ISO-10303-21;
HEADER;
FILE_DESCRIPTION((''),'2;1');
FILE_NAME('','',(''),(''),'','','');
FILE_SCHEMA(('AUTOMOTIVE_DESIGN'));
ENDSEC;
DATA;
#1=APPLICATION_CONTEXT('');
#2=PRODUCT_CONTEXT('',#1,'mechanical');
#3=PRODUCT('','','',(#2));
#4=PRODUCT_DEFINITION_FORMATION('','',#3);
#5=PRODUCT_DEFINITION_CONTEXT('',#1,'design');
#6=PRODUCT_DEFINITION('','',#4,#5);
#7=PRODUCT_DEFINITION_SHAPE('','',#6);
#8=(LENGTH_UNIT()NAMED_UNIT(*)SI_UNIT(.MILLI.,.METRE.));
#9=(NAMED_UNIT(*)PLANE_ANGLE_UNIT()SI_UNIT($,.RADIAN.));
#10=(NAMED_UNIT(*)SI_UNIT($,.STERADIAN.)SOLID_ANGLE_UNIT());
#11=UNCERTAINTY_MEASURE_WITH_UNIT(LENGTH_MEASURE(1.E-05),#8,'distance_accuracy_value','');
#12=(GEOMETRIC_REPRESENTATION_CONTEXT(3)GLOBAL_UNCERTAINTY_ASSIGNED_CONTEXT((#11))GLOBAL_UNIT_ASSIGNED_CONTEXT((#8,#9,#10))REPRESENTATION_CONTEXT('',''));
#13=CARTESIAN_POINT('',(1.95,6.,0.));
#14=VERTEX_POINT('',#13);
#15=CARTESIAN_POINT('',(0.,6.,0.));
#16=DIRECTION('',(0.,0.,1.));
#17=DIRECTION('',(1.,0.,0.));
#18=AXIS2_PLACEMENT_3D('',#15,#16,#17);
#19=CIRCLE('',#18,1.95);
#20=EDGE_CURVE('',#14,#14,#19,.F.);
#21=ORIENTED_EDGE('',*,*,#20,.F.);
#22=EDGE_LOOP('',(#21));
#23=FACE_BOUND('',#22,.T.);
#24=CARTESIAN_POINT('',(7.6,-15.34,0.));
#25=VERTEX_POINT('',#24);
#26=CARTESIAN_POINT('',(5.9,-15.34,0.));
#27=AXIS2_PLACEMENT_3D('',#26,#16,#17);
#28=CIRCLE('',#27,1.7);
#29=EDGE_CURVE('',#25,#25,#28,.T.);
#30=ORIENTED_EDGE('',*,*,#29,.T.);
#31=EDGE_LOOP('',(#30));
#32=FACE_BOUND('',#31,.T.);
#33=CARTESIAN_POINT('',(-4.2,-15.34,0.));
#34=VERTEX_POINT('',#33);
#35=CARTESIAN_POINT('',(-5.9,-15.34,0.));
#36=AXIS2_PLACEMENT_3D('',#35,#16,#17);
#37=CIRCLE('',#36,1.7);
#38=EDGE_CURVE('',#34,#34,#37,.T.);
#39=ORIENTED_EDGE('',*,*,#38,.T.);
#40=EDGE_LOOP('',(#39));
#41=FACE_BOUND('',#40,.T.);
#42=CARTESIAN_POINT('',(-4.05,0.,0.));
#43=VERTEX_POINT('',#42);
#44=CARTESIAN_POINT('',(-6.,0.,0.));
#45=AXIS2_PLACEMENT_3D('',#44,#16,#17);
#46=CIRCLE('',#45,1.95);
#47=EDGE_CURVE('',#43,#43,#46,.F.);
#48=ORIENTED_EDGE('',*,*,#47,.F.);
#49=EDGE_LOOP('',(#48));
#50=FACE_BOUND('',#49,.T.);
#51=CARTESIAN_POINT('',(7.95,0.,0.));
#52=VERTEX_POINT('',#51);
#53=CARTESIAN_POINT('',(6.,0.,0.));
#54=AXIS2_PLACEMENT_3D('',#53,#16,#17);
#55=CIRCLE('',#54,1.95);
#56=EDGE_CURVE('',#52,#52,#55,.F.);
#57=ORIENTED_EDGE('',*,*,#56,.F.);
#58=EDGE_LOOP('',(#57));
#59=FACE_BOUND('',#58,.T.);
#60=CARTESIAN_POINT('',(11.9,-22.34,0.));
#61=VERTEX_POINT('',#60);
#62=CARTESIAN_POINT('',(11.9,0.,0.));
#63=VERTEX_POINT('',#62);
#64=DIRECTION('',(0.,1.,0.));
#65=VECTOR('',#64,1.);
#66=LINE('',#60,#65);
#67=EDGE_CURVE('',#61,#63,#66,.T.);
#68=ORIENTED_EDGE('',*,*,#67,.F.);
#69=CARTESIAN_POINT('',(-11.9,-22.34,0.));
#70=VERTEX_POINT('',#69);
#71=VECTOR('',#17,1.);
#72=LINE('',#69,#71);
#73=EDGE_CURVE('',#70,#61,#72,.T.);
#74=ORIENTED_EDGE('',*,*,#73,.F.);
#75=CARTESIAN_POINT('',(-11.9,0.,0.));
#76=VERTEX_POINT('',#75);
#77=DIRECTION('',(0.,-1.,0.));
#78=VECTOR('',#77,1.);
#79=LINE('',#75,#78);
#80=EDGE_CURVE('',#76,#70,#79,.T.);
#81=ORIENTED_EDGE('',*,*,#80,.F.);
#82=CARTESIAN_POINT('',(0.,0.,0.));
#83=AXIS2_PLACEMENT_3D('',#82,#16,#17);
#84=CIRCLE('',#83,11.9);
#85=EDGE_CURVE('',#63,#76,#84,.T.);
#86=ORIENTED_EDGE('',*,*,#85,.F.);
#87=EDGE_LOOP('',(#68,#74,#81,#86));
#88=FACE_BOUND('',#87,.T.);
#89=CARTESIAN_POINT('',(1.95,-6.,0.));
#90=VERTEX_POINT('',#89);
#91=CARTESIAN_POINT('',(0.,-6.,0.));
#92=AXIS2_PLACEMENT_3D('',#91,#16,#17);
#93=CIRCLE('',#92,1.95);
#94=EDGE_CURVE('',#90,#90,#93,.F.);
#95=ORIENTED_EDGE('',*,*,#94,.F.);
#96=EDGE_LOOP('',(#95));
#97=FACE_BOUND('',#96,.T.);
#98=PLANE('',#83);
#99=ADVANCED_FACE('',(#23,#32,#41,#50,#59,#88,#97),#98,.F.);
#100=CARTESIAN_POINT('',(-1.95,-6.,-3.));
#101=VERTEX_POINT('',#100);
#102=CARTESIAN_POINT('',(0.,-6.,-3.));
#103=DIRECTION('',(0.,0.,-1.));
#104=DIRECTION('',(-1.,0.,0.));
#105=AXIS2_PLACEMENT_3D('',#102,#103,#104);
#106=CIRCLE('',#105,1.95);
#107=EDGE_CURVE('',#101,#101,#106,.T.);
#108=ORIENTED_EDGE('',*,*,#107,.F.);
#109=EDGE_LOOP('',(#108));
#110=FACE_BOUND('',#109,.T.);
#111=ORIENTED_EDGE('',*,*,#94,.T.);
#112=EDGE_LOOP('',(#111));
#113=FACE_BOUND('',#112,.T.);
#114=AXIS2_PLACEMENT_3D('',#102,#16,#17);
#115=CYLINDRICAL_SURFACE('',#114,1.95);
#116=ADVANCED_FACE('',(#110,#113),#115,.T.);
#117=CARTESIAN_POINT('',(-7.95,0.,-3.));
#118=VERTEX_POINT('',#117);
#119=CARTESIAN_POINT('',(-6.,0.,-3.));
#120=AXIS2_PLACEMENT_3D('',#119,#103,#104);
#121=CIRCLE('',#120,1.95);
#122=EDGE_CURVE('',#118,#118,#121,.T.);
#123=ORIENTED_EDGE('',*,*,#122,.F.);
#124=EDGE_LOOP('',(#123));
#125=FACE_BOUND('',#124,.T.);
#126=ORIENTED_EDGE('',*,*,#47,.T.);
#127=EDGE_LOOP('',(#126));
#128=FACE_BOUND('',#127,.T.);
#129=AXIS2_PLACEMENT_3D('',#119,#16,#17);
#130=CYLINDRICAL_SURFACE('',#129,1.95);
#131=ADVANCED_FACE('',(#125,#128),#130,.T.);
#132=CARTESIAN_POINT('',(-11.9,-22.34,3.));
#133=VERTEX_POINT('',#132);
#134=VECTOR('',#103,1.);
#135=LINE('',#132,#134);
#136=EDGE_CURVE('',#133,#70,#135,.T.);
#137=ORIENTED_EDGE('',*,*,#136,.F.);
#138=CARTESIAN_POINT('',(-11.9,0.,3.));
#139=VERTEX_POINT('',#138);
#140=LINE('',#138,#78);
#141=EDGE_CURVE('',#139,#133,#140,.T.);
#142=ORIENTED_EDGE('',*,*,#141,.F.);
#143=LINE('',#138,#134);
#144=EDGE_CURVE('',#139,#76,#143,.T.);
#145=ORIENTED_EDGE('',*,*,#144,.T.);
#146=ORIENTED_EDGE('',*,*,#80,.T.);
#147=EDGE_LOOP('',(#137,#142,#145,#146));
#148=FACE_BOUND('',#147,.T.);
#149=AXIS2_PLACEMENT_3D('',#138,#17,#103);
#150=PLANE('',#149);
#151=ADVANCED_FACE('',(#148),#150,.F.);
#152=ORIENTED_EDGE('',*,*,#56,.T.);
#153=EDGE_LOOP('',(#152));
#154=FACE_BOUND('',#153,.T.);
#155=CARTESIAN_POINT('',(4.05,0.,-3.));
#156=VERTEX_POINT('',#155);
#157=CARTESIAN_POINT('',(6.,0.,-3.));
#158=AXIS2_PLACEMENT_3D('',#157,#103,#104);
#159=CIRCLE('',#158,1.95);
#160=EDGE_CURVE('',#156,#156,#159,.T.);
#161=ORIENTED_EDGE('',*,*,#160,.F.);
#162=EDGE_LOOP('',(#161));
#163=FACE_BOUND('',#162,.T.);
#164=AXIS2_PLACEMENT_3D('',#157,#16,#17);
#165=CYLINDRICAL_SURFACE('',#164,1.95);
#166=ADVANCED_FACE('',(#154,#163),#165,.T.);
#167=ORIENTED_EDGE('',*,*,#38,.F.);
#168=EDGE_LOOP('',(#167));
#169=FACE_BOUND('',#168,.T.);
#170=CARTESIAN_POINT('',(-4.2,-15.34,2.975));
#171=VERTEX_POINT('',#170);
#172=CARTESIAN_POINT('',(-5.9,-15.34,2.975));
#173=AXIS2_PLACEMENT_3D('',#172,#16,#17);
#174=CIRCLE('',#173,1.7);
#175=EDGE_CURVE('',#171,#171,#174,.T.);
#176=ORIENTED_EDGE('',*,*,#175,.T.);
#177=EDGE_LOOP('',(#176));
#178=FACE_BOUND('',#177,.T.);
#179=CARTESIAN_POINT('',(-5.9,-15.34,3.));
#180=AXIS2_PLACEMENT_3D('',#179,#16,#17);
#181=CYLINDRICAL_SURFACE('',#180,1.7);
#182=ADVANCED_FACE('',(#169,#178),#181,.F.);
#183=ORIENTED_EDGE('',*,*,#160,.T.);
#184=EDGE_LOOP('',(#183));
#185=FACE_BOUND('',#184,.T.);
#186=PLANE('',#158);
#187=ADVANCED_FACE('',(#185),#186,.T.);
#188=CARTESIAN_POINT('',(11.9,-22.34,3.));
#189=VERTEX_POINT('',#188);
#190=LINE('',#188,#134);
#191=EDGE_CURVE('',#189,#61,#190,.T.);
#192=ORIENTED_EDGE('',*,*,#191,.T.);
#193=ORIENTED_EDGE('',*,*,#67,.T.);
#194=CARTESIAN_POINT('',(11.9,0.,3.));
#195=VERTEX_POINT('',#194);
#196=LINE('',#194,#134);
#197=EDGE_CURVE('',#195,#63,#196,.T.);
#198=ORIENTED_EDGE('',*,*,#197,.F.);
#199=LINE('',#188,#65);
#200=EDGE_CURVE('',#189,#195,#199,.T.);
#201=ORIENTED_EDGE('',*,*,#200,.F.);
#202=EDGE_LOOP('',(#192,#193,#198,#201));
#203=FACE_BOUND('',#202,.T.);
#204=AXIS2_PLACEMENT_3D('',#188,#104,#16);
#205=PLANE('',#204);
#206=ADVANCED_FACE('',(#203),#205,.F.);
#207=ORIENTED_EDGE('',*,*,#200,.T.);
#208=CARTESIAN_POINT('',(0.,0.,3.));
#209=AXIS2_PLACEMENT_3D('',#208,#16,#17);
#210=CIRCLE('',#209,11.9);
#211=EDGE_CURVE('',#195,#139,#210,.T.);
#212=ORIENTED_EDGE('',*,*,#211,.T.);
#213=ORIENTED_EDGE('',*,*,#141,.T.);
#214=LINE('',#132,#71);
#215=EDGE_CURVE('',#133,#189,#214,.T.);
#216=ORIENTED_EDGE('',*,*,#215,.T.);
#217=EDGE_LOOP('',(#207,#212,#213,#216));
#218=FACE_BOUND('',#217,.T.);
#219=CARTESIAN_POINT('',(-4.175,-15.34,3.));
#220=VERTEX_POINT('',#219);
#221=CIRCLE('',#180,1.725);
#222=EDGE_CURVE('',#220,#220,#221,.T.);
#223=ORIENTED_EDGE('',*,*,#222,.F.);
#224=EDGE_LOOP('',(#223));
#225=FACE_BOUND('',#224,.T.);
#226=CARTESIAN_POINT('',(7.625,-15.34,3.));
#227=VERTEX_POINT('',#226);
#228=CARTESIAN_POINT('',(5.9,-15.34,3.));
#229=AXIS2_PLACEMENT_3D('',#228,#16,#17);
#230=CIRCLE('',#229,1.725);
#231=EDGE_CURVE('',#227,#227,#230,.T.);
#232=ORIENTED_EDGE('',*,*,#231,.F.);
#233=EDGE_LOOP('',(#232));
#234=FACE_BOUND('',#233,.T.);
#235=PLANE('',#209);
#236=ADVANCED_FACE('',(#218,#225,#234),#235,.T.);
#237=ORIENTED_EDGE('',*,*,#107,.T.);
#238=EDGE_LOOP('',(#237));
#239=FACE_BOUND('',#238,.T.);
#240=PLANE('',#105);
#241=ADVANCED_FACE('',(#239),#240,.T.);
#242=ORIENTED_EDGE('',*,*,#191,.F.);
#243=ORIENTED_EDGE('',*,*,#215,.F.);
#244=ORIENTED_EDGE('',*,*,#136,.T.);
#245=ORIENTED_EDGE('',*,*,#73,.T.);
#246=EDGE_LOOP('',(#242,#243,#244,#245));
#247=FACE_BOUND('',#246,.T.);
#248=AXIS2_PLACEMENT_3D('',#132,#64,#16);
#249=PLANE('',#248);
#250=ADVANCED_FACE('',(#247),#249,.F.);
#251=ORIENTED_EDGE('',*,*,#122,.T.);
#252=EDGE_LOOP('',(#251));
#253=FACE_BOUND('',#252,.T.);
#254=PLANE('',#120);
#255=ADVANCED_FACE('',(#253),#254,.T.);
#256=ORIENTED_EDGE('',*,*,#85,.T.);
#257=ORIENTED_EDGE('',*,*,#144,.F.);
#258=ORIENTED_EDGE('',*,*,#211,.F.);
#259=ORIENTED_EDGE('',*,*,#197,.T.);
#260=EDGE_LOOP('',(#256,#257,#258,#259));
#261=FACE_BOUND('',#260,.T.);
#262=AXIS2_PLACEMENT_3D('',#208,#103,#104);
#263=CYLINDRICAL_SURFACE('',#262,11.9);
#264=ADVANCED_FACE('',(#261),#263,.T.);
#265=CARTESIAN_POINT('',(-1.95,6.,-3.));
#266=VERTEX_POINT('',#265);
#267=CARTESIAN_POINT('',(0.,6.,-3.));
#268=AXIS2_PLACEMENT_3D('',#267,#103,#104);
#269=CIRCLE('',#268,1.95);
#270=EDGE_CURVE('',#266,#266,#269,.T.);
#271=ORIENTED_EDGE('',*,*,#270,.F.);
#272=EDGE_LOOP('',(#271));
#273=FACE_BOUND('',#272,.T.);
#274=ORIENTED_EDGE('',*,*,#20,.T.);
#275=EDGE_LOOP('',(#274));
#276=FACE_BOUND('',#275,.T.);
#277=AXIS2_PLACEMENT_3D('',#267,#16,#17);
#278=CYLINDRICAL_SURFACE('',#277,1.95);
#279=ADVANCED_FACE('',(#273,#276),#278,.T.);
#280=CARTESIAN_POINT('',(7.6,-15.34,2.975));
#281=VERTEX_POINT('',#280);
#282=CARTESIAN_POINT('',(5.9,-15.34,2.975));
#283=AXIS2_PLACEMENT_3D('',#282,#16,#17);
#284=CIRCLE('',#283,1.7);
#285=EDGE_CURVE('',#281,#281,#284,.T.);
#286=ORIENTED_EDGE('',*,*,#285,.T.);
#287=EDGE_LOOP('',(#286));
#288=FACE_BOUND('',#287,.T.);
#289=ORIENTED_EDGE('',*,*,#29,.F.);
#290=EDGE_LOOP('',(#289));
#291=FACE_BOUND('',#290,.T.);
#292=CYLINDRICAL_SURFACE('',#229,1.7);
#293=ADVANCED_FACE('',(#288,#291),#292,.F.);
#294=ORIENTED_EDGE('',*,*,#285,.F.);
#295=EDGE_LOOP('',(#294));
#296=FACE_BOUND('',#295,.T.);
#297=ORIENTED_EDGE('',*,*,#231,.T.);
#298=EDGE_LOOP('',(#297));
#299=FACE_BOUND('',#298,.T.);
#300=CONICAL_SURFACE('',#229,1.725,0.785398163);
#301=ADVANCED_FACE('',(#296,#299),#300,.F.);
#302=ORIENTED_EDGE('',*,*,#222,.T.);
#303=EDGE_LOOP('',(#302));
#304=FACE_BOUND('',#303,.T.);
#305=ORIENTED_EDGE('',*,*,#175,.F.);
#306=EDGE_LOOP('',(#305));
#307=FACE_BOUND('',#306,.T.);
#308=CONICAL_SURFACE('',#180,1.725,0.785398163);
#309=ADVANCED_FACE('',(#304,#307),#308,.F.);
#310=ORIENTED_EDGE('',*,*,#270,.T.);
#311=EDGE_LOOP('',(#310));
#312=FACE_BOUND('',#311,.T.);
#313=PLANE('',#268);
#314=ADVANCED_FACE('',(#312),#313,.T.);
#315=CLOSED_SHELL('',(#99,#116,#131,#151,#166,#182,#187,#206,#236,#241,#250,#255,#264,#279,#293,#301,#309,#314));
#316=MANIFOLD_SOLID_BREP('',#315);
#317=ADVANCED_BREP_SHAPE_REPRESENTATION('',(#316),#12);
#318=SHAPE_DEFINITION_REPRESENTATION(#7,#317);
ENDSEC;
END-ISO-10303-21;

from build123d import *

# Parameters (mm, degrees)
BOSS_EXTRUDE1_DEPTH            = 3
SKETCH2_R                      = 1.95
BOSS_EXTRUDE2_DEPTH            = 3
M3_CLEARANCE_HOLE1_D           = 3.4
M3_CLEARANCE_HOLE1_CSINK_D     = 3.45
M3_CLEARANCE_HOLE1_CSINK_ANGLE = 90


with BuildPart() as part:
    # Sketch1 → Boss-Extrude1 (new body)
    with BuildSketch(Plane.XY):
        with BuildLine():
            Line((-11.9, 0), (-11.9, -22.34))
            Line((-11.9, -22.34), (11.9, -22.34))
            Line((11.9, -22.34), (11.9, 0))
            ThreePointArc((11.9, 0), (0, 11.9), (-11.9, 0))
        make_face()
    extrude(amount=BOSS_EXTRUDE1_DEPTH)

    # Sketch2 → Boss-Extrude2 (add)
    with BuildSketch(Plane(origin=(0, 0, 0), x_dir=(-1, 0, 0), z_dir=(0, 0, -1))):
        with Locations(Location((0, 6, 0), (0, 0, 180))):
            Circle(SKETCH2_R)
        with Locations(Location((6, 0, 0), (0, 0, 180))):
            Circle(SKETCH2_R)
        with Locations(Location((0, -6, 0), (0, 0, 180))):
            Circle(SKETCH2_R)
        with Locations(Location((-6, 0, 0), (0, 0, 180))):
            Circle(SKETCH2_R)
    extrude(amount=BOSS_EXTRUDE2_DEPTH)

    # M3 Clearance Hole1 (through all)
    with Locations(Plane(origin=(-5.9, -15.34, 3), x_dir=(1, 0, 0), z_dir=(0, 0, 1))):
        with Locations((0, 0), (11.8, 0)):
            CounterSinkHole(M3_CLEARANCE_HOLE1_D / 2, M3_CLEARANCE_HOLE1_CSINK_D / 2, counter_sink_angle=M3_CLEARANCE_HOLE1_CSINK_ANGLE)


solid = part.part
